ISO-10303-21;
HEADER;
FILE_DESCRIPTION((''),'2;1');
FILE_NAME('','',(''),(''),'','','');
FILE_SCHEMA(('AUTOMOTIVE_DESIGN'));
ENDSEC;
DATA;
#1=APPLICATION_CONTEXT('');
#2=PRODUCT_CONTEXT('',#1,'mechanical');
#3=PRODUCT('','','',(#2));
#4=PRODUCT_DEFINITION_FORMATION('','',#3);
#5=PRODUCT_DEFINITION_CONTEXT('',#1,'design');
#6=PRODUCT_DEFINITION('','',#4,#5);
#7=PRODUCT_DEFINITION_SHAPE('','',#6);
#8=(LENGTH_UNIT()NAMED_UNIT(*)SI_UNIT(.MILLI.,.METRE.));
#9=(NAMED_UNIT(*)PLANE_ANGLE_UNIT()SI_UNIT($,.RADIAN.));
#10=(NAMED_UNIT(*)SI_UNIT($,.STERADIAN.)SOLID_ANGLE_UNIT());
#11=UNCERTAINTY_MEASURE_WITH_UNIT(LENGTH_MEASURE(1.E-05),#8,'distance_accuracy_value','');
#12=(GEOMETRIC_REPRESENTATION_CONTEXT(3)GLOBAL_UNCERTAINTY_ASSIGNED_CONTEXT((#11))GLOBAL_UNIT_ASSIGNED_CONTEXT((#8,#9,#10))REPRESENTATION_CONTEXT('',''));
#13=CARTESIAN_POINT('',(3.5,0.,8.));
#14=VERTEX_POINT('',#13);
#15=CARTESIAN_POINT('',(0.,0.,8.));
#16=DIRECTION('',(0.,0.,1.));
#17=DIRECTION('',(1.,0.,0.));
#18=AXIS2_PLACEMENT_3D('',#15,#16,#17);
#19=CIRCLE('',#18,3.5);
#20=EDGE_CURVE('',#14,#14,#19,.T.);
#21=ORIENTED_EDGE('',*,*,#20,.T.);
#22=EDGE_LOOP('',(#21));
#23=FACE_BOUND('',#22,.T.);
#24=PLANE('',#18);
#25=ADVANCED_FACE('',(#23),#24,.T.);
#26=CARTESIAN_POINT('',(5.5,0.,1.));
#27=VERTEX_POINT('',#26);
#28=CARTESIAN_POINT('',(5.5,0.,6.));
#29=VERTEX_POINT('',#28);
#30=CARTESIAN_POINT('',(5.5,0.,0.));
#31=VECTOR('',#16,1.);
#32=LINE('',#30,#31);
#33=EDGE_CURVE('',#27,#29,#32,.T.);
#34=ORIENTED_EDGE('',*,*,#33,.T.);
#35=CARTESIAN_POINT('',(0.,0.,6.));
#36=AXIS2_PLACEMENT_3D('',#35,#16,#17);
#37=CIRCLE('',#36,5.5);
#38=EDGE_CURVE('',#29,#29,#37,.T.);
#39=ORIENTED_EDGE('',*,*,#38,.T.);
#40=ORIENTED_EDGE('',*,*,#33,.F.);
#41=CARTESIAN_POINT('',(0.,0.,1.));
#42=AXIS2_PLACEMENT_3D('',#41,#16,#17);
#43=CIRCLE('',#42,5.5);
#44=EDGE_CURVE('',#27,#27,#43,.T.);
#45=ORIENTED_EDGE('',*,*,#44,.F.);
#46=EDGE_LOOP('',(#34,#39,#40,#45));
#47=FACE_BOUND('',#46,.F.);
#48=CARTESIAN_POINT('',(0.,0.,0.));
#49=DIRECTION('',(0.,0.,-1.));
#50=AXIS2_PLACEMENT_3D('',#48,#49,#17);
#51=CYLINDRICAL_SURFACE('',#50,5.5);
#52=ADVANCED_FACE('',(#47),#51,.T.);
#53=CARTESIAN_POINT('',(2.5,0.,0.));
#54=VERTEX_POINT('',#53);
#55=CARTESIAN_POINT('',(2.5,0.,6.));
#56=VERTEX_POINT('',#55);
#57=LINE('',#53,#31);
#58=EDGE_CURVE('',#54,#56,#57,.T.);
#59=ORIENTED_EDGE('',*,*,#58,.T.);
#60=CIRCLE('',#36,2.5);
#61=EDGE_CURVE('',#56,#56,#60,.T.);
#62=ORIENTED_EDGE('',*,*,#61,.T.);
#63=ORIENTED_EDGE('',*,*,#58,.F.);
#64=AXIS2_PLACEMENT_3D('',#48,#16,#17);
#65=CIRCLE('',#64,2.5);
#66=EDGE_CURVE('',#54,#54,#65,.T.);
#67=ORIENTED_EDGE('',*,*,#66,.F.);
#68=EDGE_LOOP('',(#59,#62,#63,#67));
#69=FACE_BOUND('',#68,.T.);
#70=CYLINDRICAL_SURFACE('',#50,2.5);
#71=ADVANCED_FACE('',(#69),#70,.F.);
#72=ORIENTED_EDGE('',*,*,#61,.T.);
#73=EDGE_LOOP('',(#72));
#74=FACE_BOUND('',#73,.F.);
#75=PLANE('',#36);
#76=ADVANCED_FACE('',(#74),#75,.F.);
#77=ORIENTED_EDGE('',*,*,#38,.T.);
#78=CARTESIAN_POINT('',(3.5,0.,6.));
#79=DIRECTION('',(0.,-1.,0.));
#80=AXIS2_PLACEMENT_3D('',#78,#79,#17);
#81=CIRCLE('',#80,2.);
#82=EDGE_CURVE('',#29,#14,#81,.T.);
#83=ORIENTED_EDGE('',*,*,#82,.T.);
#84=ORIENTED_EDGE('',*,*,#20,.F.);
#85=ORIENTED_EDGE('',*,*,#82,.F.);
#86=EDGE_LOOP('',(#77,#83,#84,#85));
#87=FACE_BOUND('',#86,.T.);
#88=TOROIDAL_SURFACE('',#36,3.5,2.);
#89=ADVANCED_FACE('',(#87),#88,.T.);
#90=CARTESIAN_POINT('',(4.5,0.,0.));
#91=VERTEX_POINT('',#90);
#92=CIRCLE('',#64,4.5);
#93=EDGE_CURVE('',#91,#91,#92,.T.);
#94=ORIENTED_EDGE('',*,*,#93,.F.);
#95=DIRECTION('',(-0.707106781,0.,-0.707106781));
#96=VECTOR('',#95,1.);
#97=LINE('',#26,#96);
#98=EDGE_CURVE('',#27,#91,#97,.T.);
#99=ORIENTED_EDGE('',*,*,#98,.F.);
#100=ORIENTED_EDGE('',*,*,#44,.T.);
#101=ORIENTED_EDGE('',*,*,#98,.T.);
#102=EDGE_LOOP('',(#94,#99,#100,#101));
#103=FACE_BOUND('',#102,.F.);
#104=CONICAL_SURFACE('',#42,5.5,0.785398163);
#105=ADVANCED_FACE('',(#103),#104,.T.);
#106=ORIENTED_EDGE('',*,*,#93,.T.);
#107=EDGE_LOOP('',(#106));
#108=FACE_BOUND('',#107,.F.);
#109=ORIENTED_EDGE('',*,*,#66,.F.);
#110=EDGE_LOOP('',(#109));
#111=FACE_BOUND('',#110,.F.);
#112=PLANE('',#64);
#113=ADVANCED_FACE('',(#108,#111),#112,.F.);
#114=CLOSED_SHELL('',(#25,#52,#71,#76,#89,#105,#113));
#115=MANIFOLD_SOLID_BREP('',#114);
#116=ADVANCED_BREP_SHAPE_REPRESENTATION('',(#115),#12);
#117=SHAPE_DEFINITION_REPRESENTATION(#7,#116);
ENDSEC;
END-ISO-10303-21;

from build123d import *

# Parameters (mm, degrees)
F0_R     = 5.5
F0_R_2   = 2.5
F1_DEPTH = 8
F2_R     = 2
F3_DEPTH = 6
F4_SIZE  = 1


with BuildPart() as f1:
    # F0 (on Top) → F1 (new body)
    with BuildSketch(Plane.XY):
        Circle(F0_R)
        Circle(F0_R_2, mode=Mode.SUBTRACT)
        Circle(F0_R_2)
    extrude(amount=F1_DEPTH)

    # F2
    f2_edges = [f1.edges().sort_by_distance(p)[0] for p in [
        (-5.5, 0, 8),
    ]]
    fillet(f2_edges, radius=F2_R)

    # F0 (on Top) → F3 (cut)
    with BuildSketch(Plane.XY):
        Circle(F0_R_2)
    extrude(amount=F3_DEPTH, mode=Mode.SUBTRACT)

    # F4
    f4_edges = [f1.edges().sort_by_distance(p)[0] for p in [
        (-5.5, 0, 0),
    ]]
    chamfer(f4_edges, length=F4_SIZE)


solid = f1.part
